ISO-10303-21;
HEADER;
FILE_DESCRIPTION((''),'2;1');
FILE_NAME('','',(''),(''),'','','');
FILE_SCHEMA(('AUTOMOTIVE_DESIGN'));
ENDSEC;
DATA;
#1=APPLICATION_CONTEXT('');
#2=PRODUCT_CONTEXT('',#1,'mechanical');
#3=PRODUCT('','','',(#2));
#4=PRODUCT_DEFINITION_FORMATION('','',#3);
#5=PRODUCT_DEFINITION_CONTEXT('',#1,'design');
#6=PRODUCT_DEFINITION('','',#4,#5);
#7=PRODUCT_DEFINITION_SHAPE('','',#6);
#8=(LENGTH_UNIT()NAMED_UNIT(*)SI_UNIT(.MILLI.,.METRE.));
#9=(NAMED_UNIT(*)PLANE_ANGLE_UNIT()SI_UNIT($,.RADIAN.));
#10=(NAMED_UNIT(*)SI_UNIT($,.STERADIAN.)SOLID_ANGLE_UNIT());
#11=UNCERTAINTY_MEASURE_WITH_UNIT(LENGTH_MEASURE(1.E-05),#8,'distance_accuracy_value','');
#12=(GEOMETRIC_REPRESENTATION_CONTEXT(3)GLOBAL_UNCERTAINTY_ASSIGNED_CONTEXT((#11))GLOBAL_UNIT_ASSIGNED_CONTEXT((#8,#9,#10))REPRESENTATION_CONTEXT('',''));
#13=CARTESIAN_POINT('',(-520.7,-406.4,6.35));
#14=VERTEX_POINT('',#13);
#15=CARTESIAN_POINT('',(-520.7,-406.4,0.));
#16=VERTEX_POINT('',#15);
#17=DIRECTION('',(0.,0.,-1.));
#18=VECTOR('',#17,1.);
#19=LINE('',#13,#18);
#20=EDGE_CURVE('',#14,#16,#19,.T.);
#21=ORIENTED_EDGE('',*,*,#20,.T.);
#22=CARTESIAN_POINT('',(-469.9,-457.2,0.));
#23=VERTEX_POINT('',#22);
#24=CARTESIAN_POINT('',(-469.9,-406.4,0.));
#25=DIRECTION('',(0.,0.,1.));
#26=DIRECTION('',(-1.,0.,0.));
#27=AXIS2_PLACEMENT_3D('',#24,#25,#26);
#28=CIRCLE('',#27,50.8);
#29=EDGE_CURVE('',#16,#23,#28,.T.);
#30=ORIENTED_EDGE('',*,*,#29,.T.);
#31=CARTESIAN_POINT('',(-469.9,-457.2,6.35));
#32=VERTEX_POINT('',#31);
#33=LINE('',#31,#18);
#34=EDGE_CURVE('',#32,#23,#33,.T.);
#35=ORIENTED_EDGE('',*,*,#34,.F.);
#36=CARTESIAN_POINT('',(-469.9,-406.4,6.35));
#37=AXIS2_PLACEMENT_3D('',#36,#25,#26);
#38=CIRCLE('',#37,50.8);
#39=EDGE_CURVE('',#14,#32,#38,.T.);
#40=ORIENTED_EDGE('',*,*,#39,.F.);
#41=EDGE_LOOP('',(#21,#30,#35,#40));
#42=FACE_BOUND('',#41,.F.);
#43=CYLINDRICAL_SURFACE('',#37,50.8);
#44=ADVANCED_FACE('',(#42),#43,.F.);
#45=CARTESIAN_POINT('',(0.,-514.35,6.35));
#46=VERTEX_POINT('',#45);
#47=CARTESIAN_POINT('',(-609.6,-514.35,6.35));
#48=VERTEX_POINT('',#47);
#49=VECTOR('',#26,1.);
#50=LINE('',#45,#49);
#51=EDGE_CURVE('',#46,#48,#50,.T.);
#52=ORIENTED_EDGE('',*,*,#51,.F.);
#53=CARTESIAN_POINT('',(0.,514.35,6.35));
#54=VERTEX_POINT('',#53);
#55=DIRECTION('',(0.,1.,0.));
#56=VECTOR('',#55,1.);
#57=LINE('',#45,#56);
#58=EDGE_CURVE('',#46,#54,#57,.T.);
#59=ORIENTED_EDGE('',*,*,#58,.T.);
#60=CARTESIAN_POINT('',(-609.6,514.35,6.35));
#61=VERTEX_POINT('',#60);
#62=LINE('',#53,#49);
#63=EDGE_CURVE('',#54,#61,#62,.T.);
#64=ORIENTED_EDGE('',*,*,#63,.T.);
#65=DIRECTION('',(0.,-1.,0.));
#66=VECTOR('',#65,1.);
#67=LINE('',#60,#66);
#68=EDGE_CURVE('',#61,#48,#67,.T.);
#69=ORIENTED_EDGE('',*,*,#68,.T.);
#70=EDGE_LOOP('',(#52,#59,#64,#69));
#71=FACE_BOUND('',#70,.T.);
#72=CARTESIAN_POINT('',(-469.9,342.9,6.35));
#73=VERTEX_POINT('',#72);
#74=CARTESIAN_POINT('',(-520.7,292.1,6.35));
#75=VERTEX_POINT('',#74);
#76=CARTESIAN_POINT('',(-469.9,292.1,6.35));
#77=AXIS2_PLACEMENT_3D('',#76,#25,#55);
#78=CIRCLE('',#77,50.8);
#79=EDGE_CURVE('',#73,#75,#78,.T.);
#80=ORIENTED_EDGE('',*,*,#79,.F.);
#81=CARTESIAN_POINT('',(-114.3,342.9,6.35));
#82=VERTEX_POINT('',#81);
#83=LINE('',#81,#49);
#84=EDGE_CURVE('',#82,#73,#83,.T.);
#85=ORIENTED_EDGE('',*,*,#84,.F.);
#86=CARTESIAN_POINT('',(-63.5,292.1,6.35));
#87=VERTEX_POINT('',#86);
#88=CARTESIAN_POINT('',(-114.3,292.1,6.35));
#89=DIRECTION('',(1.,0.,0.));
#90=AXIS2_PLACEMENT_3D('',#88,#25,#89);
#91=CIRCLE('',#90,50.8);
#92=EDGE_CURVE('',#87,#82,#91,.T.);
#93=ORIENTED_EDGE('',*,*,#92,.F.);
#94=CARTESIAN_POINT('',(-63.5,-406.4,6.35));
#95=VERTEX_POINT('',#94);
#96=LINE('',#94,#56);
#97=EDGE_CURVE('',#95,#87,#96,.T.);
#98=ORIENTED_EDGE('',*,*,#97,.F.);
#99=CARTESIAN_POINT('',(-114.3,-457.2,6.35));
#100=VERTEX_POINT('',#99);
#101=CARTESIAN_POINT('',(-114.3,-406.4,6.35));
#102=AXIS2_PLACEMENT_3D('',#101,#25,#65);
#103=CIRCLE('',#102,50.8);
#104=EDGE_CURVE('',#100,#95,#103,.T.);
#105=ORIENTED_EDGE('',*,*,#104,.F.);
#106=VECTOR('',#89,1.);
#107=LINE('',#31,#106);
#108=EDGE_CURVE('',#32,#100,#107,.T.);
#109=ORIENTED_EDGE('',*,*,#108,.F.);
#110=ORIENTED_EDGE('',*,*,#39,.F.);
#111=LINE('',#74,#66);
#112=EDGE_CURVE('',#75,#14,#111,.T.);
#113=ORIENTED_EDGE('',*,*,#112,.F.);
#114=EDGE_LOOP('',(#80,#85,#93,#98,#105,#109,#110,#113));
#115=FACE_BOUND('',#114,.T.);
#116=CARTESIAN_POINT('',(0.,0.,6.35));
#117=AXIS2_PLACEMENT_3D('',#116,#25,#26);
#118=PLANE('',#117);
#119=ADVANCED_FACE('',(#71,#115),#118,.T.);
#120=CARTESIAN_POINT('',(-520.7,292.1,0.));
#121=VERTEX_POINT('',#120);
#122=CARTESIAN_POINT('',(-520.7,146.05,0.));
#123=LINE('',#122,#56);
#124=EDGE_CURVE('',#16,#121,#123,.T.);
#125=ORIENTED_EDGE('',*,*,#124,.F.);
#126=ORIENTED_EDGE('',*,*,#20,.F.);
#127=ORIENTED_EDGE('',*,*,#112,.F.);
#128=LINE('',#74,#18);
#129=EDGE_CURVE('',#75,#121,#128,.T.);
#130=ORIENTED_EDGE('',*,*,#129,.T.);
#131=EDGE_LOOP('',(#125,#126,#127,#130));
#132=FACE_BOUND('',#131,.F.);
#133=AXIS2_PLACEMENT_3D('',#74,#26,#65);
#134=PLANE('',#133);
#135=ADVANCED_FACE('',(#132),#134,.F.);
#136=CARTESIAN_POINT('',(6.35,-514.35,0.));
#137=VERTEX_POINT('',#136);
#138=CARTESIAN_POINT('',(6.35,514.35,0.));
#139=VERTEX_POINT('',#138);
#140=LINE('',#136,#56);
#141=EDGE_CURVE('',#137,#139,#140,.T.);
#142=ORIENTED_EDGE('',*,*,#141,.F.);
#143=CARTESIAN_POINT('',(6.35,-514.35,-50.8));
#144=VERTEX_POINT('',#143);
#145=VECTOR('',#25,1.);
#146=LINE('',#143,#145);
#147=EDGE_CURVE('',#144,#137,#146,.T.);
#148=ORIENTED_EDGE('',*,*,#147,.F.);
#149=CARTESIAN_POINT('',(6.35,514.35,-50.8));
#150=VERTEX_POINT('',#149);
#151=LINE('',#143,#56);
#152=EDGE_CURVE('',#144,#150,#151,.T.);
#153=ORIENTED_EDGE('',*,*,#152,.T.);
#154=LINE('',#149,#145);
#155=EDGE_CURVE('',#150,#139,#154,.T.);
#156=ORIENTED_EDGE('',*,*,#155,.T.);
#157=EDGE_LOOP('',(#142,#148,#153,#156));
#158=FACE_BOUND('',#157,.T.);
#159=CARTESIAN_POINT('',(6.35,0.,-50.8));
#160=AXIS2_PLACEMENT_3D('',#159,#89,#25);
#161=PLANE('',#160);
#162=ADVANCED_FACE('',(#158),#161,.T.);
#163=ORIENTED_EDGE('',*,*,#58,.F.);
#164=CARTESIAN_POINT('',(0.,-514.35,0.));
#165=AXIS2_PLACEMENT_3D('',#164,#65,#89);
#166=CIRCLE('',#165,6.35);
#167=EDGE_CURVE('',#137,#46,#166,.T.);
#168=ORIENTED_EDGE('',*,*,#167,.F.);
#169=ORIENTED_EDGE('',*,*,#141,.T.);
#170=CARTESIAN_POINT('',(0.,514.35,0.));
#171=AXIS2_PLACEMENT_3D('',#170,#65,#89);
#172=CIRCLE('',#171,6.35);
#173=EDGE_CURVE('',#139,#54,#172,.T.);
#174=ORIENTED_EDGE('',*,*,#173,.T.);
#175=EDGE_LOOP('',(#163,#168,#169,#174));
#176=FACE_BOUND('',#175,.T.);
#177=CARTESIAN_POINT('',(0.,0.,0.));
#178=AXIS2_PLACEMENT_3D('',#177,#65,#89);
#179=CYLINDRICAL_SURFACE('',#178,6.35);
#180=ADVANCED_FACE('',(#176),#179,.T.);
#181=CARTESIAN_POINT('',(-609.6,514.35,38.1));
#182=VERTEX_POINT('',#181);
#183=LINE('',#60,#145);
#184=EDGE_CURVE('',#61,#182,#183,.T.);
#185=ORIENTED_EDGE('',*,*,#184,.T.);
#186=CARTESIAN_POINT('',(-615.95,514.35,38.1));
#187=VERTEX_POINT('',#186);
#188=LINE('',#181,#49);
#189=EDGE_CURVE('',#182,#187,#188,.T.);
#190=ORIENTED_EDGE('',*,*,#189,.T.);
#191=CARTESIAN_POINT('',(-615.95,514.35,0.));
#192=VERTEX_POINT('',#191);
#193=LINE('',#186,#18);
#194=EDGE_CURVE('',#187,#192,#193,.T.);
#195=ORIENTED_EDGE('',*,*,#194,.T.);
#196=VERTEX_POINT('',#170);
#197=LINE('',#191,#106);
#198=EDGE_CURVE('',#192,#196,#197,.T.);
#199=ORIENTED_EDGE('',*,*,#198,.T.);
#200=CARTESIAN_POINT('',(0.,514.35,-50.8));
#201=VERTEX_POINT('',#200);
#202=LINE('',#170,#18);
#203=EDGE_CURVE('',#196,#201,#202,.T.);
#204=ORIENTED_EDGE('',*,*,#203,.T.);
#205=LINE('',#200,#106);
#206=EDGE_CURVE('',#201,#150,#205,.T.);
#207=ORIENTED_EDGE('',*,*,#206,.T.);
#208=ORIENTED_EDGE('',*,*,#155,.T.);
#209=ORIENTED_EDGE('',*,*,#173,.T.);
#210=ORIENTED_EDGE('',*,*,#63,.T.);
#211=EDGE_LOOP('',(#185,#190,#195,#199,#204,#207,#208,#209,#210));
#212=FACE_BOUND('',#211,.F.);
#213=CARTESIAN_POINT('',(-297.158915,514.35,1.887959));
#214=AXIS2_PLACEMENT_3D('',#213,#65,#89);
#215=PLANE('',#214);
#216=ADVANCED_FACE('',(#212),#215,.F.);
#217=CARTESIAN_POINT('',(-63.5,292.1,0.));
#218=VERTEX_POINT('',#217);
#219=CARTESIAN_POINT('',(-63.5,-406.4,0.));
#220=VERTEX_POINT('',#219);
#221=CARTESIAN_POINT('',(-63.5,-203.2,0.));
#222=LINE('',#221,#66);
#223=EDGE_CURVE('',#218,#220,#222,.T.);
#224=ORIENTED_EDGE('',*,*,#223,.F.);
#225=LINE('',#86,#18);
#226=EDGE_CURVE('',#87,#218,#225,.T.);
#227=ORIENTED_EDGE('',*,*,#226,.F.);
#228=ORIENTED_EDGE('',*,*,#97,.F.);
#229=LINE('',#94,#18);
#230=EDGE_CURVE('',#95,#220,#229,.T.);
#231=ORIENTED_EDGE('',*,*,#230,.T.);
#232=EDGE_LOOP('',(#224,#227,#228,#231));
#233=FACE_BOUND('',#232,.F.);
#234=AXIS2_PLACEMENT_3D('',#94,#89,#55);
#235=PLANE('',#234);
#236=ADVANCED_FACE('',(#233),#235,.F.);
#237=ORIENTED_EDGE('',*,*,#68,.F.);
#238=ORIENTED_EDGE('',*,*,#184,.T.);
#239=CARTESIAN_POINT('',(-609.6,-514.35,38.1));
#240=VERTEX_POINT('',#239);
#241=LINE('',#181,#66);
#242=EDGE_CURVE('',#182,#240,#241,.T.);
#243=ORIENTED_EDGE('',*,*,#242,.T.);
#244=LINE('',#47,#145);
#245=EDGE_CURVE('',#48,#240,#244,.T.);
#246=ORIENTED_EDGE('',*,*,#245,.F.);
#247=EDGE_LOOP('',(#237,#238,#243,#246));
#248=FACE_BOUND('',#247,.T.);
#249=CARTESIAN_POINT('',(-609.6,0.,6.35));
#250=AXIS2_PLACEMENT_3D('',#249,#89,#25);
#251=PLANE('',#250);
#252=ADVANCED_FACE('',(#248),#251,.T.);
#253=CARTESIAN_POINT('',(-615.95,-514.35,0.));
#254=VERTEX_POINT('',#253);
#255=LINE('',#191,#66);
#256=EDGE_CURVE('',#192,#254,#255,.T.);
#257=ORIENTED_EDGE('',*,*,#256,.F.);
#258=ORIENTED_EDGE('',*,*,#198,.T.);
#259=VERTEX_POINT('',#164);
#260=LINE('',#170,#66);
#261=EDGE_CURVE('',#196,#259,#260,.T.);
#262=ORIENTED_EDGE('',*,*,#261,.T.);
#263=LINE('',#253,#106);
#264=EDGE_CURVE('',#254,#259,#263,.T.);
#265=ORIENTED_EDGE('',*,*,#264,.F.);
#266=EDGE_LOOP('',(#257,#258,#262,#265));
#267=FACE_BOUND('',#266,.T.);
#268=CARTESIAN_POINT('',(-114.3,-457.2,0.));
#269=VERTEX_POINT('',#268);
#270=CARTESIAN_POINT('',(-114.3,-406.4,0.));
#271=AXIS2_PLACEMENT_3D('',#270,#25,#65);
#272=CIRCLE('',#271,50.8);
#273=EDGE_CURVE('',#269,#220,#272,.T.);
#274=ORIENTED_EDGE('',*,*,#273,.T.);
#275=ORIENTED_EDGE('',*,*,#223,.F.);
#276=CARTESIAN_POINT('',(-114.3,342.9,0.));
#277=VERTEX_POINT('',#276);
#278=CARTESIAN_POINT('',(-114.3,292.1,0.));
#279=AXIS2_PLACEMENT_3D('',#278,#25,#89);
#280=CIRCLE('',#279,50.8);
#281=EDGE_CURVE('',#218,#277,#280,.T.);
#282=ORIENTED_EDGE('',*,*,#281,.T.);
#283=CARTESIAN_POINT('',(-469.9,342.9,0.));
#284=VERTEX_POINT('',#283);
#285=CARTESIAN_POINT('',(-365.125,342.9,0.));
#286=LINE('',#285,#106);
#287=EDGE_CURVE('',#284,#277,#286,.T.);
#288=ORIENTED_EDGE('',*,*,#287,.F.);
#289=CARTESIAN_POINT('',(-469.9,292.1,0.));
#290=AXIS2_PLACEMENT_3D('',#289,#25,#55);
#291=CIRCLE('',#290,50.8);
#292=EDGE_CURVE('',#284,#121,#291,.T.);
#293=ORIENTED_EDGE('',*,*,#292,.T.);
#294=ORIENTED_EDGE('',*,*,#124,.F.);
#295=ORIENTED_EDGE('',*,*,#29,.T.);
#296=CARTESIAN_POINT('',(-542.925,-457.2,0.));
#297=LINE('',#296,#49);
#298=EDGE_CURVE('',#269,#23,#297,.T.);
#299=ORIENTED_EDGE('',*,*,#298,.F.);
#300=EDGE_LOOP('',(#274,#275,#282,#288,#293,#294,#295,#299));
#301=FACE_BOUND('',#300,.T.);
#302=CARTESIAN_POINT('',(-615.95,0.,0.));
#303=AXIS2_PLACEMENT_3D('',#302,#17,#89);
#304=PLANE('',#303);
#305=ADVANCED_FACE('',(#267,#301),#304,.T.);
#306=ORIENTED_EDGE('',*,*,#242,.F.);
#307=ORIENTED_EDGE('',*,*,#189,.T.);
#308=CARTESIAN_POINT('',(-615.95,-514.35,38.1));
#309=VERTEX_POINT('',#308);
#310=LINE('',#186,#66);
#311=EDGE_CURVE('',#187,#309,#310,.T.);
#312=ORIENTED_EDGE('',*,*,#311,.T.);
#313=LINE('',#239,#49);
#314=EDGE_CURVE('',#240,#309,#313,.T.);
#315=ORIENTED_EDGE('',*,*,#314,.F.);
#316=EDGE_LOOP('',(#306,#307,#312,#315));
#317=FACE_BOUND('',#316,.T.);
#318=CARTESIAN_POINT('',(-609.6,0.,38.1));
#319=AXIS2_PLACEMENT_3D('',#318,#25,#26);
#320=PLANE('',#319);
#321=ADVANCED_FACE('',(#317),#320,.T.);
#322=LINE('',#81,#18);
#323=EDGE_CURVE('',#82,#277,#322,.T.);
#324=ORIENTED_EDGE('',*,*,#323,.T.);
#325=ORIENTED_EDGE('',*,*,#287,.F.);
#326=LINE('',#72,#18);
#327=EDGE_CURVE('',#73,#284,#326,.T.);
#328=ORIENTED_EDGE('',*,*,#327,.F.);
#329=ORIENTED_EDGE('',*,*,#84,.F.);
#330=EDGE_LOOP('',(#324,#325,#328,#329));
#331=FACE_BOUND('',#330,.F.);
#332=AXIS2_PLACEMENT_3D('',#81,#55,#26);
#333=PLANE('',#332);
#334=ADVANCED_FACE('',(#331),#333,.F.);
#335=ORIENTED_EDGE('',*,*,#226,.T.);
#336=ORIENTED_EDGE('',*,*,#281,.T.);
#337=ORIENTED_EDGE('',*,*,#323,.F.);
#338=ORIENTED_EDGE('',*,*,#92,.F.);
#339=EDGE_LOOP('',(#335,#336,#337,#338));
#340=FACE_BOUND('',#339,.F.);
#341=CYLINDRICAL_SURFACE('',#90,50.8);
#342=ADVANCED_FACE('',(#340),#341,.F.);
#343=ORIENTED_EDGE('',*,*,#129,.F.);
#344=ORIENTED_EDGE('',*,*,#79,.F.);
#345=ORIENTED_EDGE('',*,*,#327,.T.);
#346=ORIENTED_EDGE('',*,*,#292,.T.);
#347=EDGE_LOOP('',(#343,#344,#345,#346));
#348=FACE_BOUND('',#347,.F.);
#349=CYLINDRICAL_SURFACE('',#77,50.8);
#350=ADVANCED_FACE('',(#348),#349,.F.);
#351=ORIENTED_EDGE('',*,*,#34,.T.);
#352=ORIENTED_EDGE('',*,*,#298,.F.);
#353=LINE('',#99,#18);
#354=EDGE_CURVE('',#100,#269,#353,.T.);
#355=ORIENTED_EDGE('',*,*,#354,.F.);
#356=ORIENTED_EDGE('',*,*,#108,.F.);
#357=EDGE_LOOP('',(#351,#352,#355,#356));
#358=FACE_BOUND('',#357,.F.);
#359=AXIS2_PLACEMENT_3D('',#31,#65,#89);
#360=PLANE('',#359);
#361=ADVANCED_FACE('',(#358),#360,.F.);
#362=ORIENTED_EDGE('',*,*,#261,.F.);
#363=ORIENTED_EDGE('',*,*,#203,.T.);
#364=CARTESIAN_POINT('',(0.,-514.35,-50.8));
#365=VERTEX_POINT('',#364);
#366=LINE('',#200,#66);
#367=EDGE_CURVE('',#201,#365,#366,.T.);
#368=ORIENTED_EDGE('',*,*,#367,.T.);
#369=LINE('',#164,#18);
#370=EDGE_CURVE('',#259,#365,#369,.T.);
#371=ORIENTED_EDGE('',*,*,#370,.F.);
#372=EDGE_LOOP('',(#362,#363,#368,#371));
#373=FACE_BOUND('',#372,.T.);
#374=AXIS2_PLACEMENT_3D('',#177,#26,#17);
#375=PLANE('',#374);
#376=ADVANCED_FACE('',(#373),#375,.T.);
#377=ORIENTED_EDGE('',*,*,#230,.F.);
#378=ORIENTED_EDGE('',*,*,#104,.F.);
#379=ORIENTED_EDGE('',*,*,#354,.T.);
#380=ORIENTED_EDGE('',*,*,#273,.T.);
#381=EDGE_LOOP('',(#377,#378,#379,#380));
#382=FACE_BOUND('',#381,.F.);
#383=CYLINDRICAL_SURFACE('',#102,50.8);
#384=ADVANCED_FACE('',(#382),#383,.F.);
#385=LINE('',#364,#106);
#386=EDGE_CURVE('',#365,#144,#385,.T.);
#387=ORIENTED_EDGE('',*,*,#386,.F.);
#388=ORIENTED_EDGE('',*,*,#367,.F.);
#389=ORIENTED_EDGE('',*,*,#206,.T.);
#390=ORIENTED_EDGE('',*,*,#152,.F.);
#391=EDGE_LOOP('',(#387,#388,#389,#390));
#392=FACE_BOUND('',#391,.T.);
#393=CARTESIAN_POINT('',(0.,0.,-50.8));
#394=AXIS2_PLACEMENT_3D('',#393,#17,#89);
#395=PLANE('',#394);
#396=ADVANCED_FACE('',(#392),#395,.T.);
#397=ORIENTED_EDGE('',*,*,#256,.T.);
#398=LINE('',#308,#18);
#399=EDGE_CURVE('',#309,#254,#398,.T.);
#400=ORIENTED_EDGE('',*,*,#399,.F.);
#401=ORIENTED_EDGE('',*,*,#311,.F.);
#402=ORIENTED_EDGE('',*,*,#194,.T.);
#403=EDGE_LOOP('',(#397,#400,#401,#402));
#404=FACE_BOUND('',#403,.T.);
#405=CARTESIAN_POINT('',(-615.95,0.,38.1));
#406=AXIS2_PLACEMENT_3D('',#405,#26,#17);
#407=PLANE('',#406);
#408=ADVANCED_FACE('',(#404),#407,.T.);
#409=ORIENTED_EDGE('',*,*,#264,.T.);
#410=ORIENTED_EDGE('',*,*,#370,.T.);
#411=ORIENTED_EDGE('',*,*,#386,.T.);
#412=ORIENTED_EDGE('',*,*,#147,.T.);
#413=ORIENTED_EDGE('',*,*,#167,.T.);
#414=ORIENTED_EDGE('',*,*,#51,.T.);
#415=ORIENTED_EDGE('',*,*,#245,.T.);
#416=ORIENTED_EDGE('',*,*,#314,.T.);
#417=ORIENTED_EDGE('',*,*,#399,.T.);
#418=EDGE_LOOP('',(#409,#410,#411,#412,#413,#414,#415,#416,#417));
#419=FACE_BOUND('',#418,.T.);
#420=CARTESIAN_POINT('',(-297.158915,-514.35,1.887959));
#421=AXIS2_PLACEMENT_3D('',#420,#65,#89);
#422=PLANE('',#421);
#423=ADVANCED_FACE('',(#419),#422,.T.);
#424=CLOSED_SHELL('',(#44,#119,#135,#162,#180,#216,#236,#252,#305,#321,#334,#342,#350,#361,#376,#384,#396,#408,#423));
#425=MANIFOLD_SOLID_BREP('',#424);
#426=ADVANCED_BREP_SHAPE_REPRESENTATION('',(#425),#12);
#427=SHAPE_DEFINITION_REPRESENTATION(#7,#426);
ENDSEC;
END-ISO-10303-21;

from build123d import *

# Parameters (mm, degrees)
F1_DEPTH = 514.35
F3_DEPTH = 25.4


with BuildPart() as f1:
    # F0 (on Front) → F1 (new body, symmetric)
    with BuildSketch(Plane.XZ):
        with BuildLine():
            Line((0, 6.35), (-609.6, 6.35))
            Line((-609.6, 6.35), (-609.6, 38.1))
            Line((-609.6, 38.1), (-615.95, 38.1))
            Line((-615.95, 38.1), (-615.95, 0))
            Line((-615.95, 0), (0, 0))
            Line((0, 0), (0, -50.8))
            Line((0, -50.8), (6.35, -50.8))
            Line((6.35, -50.8), (6.35, 0))
            ThreePointArc((6.35, 0), (4.4901280605, 4.4901280605), (0, 6.35))
        make_face()
    extrude(amount=F1_DEPTH, both=True)

    # F2 (on face) → F3 (cut)
    with BuildSketch(Plane.XY.offset(6.35)):
        with BuildLine():
            Line((-114.3, 342.9), (-469.9, 342.9))
            ThreePointArc((-469.9, 342.9), (-505.8210244843, 328.0210244843), (-520.7, 292.1))
            Line((-520.7, 292.1), (-520.7, -406.4))
            ThreePointArc((-520.7, -406.4), (-505.8210244843, -442.3210244843), (-469.9, -457.2))
            Line((-469.9, -457.2), (-114.3, -457.2))
            ThreePointArc((-114.3, -457.2), (-78.3789755157, -442.3210244843), (-63.5, -406.4))
            Line((-63.5, -406.4), (-63.5, 292.1))
            ThreePointArc((-63.5, 292.1), (-78.3789755157, 328.0210244843), (-114.3, 342.9))
        make_face()
    extrude(amount=-F3_DEPTH, mode=Mode.SUBTRACT)


solid = f1.part
